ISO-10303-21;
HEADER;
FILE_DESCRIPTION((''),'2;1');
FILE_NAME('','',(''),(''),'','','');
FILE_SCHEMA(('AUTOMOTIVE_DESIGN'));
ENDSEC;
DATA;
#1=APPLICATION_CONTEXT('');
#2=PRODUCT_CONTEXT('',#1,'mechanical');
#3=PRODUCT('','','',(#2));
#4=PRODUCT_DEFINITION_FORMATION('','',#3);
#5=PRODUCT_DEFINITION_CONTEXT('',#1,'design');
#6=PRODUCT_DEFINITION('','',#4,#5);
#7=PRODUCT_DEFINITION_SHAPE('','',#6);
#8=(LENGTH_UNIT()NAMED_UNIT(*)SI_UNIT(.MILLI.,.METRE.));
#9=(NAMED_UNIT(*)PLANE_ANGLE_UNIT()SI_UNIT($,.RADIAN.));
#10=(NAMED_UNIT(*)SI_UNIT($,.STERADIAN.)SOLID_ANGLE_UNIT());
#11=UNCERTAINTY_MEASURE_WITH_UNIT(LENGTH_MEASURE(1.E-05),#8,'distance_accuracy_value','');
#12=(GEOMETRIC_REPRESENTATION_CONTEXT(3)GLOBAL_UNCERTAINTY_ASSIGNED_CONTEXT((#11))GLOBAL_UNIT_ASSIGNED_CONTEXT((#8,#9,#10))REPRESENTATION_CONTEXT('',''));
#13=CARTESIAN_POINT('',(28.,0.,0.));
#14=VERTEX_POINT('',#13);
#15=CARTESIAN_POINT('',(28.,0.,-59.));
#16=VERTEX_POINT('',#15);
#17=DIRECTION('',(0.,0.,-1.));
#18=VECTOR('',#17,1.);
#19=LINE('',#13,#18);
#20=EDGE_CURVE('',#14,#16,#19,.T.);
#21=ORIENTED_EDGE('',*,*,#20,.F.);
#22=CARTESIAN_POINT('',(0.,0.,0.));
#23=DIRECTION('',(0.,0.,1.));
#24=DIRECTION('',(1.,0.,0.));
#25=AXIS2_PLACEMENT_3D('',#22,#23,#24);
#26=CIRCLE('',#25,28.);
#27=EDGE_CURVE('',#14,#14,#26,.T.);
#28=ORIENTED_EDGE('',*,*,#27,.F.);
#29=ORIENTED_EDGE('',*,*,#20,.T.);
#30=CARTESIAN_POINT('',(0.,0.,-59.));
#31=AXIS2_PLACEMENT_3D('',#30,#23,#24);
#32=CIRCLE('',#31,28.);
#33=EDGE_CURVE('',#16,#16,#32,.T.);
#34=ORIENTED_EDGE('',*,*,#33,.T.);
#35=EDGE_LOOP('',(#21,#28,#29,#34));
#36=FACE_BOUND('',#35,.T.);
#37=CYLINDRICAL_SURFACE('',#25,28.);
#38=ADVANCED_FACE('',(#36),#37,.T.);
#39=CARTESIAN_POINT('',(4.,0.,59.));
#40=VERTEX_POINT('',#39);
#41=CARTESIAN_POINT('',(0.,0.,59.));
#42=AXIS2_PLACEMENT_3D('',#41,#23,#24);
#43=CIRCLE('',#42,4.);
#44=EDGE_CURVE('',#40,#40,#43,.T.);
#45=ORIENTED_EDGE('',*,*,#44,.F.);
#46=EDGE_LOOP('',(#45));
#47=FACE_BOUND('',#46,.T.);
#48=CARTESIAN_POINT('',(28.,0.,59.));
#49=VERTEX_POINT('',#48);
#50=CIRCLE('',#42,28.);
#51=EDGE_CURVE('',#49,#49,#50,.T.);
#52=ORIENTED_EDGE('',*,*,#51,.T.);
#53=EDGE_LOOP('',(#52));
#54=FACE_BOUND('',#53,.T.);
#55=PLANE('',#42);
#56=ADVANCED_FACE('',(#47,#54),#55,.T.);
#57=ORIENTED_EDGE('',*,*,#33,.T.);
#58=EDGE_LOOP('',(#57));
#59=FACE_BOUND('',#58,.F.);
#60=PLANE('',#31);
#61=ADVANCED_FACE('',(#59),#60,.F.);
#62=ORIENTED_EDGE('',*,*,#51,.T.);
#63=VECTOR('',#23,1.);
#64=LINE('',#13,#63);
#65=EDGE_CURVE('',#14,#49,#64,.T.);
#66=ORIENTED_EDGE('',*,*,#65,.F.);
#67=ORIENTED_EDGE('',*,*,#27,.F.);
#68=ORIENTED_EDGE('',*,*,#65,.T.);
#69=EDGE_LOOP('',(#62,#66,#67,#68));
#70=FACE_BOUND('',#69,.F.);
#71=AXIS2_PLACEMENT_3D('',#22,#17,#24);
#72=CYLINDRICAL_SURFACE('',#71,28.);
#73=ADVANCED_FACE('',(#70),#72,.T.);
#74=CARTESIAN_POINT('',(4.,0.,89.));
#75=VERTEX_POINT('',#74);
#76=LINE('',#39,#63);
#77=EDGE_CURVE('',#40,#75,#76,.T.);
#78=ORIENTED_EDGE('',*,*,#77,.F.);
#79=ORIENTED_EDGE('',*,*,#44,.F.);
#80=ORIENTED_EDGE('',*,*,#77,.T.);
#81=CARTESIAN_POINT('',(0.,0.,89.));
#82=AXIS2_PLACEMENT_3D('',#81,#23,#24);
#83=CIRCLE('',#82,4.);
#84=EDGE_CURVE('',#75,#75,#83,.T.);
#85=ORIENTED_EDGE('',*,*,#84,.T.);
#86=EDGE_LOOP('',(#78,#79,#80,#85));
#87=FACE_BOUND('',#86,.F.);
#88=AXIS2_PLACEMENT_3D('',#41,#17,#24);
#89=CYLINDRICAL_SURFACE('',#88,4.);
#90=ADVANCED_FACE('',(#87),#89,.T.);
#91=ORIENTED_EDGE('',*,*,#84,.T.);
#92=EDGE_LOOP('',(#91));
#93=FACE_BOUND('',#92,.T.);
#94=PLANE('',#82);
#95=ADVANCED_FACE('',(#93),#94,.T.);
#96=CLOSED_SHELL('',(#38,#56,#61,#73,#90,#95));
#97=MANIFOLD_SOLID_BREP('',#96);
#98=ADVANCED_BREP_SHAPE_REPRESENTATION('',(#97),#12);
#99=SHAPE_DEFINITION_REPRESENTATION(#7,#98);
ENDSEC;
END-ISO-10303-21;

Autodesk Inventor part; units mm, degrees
ref_plane "YZ Plane" through (0, 0, 0) normal (1, 0, 0) x (0, 1, 0)
ref_plane "XZ Plane" through (0, 0, 0) normal (0, 1, 0) x (-1, 0, 0)
ref_plane "XY Plane" through (0, 0, 0) normal (0, 0, 1) x (1, 0, 0)
sketch "Эскиз1" plane through (0, 0, 0) normal (0, 0, 1) x (1, 0, 0)
  circle A0 centre (0, 0) radius 28
  dimension "d0" = 56
extrude "Выдавливание1" add sketch "Эскиз1" along normal mid plane 118
sketch "Эскиз2" plane through (0, 0, 59) normal (0, 0, 1) x (1, 0, 0)
  circle A0 centre (0, 0) radius 4
  dimension "d3" = 8
extrude "Выдавливание2" add sketch "Эскиз2" along normal blind 30
properties part number "Hobbywing EZrun max5"
